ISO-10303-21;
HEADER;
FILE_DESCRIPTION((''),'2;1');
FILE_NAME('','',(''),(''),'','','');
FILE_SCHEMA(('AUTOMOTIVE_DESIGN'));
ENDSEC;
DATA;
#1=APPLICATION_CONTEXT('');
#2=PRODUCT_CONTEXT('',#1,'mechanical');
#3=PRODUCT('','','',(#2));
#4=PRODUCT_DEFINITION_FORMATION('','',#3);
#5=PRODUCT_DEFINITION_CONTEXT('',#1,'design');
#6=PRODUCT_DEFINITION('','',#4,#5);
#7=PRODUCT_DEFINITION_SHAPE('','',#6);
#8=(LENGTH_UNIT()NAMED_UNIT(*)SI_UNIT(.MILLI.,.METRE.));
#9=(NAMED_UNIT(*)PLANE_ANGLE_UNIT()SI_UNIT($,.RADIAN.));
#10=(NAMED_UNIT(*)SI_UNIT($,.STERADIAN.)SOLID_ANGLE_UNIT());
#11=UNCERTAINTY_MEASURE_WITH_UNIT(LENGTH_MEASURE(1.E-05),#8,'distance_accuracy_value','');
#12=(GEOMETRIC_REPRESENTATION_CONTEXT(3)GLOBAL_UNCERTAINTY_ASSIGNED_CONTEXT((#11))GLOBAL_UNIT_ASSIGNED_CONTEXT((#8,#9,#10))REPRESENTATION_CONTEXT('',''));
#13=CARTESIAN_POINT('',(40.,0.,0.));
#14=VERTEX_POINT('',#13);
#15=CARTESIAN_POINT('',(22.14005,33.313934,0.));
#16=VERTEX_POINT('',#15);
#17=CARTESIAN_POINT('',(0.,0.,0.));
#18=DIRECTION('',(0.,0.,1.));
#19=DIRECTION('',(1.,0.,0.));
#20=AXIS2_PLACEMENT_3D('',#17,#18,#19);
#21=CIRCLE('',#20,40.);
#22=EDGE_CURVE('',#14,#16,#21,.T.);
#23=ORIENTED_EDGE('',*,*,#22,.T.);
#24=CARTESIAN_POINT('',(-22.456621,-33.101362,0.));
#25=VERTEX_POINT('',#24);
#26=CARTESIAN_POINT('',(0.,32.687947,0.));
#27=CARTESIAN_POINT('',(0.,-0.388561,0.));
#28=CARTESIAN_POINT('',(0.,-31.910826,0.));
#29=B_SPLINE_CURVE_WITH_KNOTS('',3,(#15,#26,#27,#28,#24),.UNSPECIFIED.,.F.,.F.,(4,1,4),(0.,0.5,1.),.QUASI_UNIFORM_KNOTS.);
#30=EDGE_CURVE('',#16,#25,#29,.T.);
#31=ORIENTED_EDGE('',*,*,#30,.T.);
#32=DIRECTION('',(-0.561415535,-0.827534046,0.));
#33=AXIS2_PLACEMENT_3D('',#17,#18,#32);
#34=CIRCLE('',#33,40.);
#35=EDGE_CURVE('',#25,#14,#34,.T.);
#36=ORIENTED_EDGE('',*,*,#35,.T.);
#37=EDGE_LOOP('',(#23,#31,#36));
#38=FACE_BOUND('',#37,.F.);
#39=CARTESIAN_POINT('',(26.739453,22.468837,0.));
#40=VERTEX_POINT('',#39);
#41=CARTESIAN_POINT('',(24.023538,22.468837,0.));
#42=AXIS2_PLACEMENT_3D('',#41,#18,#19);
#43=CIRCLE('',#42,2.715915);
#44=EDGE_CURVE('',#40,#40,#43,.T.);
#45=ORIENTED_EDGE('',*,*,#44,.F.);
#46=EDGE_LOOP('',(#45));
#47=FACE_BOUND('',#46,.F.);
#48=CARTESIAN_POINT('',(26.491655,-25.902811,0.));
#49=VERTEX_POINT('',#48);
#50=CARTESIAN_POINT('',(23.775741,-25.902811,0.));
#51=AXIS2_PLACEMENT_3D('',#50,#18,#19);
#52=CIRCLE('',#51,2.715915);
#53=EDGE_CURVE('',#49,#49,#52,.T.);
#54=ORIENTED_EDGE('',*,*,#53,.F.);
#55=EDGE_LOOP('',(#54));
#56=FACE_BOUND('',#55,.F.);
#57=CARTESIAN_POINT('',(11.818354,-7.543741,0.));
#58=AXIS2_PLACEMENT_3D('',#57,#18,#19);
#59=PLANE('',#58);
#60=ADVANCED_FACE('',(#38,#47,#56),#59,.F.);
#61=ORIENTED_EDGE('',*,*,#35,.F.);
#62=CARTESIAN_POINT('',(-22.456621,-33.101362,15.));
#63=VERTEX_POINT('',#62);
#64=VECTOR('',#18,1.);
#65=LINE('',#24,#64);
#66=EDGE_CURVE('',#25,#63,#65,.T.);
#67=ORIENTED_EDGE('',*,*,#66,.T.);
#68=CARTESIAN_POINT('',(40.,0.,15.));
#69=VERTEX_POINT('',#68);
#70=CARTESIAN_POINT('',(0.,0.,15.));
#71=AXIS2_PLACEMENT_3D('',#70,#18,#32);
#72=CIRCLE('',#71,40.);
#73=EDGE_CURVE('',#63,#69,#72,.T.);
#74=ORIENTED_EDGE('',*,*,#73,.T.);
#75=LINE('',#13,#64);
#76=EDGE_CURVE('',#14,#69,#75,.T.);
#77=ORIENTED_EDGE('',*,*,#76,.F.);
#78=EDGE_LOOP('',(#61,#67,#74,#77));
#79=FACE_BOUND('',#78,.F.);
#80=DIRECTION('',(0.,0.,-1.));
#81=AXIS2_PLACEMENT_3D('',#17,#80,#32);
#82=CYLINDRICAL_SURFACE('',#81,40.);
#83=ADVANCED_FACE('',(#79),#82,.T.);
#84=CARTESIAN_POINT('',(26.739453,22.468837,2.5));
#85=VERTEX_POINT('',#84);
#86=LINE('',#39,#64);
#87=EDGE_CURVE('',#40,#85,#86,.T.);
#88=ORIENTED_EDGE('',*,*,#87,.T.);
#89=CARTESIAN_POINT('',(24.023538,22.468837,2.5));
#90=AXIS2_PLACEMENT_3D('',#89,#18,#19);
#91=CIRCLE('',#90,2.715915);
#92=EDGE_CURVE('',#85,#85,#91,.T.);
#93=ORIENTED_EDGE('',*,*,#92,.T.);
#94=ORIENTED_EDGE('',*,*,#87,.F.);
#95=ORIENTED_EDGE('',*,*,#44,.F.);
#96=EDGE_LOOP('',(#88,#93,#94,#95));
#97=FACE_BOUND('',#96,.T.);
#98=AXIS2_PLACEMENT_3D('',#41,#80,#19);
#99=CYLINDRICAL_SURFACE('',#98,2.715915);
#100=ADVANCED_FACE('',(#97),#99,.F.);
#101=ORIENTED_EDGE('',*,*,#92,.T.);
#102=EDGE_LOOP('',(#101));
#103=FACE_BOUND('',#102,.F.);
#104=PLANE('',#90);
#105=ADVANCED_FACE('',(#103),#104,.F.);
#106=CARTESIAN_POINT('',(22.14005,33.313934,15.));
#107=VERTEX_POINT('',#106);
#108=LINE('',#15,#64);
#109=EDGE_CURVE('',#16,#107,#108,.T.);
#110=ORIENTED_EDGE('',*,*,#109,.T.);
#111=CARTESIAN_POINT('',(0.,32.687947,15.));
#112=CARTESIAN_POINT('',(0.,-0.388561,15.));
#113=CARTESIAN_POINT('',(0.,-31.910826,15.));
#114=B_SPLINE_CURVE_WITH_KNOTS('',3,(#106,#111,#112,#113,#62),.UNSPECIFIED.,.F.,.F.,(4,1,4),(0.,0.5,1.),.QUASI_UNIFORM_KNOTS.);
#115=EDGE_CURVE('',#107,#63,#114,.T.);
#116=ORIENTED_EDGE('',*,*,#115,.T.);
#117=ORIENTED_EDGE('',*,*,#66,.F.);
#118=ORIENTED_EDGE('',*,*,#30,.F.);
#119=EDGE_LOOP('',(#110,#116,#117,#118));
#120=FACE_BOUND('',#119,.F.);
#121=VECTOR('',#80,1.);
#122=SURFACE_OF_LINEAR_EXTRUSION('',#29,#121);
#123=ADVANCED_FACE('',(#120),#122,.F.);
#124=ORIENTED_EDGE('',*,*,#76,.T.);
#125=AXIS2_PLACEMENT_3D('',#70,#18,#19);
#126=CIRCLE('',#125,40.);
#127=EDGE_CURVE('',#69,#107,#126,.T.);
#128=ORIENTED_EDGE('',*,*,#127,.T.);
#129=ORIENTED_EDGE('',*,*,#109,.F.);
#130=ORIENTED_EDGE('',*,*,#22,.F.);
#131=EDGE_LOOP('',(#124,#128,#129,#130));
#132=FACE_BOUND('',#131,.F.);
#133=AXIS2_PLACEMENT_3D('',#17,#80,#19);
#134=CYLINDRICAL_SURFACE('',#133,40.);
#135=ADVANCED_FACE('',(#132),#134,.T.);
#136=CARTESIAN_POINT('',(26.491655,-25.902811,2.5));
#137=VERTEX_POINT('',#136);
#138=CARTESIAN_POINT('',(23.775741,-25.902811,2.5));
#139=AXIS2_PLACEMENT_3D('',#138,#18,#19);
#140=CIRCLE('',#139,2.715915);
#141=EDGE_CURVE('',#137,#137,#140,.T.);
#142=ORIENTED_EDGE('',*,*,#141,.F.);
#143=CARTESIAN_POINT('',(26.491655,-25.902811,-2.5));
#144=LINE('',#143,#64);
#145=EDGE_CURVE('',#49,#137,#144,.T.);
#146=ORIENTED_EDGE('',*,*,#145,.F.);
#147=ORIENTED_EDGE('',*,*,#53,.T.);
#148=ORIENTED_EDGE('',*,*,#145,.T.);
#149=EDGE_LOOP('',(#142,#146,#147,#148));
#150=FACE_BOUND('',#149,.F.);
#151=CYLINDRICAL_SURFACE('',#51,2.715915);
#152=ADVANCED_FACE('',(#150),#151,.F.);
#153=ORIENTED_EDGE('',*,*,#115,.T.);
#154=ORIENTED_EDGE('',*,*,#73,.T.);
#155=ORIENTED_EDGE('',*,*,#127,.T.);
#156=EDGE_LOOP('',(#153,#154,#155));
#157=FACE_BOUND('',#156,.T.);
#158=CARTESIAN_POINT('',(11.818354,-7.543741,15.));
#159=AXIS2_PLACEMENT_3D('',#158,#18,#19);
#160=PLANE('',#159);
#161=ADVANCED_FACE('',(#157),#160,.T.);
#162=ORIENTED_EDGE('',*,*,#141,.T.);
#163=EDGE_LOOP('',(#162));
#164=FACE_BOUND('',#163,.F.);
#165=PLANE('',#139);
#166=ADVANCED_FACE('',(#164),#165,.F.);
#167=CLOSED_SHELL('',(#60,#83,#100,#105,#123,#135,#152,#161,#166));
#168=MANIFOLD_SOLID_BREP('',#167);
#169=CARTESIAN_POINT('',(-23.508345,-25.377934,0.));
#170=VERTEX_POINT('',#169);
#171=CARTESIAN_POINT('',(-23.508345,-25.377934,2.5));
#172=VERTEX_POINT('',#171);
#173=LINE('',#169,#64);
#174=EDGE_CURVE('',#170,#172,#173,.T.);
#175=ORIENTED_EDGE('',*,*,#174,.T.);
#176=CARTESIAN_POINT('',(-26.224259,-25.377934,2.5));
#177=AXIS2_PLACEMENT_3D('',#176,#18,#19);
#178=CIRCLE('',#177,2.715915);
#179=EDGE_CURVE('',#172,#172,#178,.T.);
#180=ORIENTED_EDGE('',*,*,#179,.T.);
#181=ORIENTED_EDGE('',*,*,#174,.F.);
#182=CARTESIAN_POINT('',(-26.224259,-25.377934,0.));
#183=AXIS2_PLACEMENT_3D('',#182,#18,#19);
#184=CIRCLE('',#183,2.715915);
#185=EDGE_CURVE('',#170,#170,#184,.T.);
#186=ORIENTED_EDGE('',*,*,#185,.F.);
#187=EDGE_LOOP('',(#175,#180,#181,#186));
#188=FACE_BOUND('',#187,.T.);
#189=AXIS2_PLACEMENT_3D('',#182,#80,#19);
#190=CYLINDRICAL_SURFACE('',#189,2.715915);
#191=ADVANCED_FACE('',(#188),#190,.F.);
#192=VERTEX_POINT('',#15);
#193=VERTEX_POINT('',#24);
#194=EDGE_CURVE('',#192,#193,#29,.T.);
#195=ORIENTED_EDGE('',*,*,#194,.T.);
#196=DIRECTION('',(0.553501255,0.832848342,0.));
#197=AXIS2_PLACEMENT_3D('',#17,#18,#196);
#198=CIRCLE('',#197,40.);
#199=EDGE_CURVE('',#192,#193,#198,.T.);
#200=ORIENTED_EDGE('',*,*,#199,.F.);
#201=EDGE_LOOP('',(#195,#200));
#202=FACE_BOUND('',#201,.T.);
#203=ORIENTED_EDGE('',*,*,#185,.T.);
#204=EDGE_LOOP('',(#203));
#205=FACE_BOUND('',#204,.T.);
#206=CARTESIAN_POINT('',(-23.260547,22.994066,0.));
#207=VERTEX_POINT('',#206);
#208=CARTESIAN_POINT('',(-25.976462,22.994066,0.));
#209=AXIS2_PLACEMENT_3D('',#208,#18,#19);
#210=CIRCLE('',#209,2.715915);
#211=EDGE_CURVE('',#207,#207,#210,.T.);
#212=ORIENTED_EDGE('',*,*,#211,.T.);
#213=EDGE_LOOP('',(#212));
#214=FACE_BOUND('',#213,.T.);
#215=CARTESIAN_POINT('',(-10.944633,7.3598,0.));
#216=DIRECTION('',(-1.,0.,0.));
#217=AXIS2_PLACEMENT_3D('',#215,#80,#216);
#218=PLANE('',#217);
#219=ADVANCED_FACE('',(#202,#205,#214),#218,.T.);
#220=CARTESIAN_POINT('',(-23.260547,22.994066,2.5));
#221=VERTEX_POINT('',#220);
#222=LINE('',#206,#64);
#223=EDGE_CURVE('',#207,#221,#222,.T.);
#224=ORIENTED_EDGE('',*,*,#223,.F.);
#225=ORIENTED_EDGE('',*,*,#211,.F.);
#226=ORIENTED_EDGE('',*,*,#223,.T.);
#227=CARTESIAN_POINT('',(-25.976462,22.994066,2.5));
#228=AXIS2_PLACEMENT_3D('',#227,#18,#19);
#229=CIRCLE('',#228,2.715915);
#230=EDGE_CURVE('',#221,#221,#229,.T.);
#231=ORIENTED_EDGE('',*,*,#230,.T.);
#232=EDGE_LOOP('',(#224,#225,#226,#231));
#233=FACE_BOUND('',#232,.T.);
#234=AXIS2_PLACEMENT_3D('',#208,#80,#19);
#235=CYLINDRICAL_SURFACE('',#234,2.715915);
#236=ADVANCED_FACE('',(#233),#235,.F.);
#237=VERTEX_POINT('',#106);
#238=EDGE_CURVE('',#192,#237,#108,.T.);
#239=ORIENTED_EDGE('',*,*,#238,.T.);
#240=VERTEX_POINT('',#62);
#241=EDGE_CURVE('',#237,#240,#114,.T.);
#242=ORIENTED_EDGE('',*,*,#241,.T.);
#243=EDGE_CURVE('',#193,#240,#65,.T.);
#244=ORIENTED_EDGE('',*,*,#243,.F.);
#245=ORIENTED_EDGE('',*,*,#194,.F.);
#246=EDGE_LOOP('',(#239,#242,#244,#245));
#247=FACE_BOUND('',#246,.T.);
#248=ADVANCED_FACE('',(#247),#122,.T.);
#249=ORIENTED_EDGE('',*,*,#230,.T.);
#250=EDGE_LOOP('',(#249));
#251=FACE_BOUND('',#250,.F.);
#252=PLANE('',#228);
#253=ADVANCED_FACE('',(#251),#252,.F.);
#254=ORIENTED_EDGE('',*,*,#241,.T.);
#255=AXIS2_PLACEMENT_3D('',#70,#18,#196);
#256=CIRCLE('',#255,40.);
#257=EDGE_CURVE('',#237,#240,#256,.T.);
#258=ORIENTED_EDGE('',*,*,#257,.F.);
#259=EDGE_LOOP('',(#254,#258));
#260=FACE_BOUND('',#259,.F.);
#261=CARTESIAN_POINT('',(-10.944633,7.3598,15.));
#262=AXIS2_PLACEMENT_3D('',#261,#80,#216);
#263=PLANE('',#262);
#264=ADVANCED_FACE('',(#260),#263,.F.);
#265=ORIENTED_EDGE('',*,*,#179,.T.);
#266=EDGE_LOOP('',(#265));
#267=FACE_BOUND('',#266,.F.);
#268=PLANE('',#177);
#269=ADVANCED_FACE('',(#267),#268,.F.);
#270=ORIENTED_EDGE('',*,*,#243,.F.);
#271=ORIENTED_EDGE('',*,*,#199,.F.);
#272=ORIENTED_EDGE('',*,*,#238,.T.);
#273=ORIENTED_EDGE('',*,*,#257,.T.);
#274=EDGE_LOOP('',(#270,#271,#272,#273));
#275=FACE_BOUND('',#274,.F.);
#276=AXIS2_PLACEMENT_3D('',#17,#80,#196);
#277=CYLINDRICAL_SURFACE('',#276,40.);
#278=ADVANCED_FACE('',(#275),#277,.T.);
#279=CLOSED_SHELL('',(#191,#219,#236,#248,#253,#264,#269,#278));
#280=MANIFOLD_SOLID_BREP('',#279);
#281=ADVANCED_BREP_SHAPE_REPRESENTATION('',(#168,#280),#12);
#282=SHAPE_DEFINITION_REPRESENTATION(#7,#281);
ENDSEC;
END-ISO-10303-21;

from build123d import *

# Parameters (mm, degrees)
F1_DEPTH = 15
F2_DEPTH = 15
F3_R     = 2.7159146739
F4_DEPTH = 2.5


with BuildPart() as f1:
    # F0 (on Top) → F1 (new body)
    with BuildSketch(Plane.XY):
        with BuildLine():
            ThreePointArc((-22.4566213902, -33.1013618411), (18.7314594251, -35.343067606), (40, 0))
            ThreePointArc((40, 0), (35.2533828755, 18.8997088822), (22.1400502084, 33.313933673))
            add(Edge.make_bspline(
                [(22.1400502084, 33.313933673), (0, 32.687947154), (0, -0.3885608166), (0, -31.9108255208), (-22.4566213902, -33.1013618411)],
                knots=[0, 0, 0, 0, 0.5, 1, 1, 1, 1], degree=3))
        make_face()
    extrude(amount=F1_DEPTH)


with BuildPart() as f2:
    # F0 (on Top) → F2 (new body)
    with BuildSketch(Plane.XY):
        with BuildLine():
            add(Edge.make_bspline(
                [(22.1400502084, 33.313933673), (0, 32.687947154), (0, -0.3885608166), (0, -31.9108255208), (-22.4566213902, -33.1013618411)],
                knots=[0, 0, 0, 0, 0.5, 1, 1, 1, 1], degree=3))
            ThreePointArc((22.1400502084, 33.313933673), (-33.2080249922, 22.2985891059), (-22.4566213902, -33.1013618411))
        make_face()
    extrude(amount=F2_DEPTH)


with BuildPart() as f4_tool:
    # F3 (on Top) → F4 (new body, symmetric)
    with BuildSketch(Plane.XY):
        with Locations((-25.976461919, 22.994065986)):
            Circle(F3_R)
        with Locations((-26.2242592871, -25.377934014)):
            Circle(F3_R)
        with Locations((24.023538081, 22.4688367873)):
            Circle(F3_R)
        with Locations((23.7757407129, -25.9028114378)):
            Circle(F3_R)
    extrude(amount=F4_DEPTH, both=True)


with BuildPart() as f1_1:
    add(f1.part)

    # F4: cut by f4_tool
    add(f4_tool.part, mode=Mode.SUBTRACT)


with BuildPart() as f2_1:
    add(f2.part)

    # F4: cut by f4_tool
    add(f4_tool.part, mode=Mode.SUBTRACT)


solid = Compound([f1_1.part, f2_1.part])
